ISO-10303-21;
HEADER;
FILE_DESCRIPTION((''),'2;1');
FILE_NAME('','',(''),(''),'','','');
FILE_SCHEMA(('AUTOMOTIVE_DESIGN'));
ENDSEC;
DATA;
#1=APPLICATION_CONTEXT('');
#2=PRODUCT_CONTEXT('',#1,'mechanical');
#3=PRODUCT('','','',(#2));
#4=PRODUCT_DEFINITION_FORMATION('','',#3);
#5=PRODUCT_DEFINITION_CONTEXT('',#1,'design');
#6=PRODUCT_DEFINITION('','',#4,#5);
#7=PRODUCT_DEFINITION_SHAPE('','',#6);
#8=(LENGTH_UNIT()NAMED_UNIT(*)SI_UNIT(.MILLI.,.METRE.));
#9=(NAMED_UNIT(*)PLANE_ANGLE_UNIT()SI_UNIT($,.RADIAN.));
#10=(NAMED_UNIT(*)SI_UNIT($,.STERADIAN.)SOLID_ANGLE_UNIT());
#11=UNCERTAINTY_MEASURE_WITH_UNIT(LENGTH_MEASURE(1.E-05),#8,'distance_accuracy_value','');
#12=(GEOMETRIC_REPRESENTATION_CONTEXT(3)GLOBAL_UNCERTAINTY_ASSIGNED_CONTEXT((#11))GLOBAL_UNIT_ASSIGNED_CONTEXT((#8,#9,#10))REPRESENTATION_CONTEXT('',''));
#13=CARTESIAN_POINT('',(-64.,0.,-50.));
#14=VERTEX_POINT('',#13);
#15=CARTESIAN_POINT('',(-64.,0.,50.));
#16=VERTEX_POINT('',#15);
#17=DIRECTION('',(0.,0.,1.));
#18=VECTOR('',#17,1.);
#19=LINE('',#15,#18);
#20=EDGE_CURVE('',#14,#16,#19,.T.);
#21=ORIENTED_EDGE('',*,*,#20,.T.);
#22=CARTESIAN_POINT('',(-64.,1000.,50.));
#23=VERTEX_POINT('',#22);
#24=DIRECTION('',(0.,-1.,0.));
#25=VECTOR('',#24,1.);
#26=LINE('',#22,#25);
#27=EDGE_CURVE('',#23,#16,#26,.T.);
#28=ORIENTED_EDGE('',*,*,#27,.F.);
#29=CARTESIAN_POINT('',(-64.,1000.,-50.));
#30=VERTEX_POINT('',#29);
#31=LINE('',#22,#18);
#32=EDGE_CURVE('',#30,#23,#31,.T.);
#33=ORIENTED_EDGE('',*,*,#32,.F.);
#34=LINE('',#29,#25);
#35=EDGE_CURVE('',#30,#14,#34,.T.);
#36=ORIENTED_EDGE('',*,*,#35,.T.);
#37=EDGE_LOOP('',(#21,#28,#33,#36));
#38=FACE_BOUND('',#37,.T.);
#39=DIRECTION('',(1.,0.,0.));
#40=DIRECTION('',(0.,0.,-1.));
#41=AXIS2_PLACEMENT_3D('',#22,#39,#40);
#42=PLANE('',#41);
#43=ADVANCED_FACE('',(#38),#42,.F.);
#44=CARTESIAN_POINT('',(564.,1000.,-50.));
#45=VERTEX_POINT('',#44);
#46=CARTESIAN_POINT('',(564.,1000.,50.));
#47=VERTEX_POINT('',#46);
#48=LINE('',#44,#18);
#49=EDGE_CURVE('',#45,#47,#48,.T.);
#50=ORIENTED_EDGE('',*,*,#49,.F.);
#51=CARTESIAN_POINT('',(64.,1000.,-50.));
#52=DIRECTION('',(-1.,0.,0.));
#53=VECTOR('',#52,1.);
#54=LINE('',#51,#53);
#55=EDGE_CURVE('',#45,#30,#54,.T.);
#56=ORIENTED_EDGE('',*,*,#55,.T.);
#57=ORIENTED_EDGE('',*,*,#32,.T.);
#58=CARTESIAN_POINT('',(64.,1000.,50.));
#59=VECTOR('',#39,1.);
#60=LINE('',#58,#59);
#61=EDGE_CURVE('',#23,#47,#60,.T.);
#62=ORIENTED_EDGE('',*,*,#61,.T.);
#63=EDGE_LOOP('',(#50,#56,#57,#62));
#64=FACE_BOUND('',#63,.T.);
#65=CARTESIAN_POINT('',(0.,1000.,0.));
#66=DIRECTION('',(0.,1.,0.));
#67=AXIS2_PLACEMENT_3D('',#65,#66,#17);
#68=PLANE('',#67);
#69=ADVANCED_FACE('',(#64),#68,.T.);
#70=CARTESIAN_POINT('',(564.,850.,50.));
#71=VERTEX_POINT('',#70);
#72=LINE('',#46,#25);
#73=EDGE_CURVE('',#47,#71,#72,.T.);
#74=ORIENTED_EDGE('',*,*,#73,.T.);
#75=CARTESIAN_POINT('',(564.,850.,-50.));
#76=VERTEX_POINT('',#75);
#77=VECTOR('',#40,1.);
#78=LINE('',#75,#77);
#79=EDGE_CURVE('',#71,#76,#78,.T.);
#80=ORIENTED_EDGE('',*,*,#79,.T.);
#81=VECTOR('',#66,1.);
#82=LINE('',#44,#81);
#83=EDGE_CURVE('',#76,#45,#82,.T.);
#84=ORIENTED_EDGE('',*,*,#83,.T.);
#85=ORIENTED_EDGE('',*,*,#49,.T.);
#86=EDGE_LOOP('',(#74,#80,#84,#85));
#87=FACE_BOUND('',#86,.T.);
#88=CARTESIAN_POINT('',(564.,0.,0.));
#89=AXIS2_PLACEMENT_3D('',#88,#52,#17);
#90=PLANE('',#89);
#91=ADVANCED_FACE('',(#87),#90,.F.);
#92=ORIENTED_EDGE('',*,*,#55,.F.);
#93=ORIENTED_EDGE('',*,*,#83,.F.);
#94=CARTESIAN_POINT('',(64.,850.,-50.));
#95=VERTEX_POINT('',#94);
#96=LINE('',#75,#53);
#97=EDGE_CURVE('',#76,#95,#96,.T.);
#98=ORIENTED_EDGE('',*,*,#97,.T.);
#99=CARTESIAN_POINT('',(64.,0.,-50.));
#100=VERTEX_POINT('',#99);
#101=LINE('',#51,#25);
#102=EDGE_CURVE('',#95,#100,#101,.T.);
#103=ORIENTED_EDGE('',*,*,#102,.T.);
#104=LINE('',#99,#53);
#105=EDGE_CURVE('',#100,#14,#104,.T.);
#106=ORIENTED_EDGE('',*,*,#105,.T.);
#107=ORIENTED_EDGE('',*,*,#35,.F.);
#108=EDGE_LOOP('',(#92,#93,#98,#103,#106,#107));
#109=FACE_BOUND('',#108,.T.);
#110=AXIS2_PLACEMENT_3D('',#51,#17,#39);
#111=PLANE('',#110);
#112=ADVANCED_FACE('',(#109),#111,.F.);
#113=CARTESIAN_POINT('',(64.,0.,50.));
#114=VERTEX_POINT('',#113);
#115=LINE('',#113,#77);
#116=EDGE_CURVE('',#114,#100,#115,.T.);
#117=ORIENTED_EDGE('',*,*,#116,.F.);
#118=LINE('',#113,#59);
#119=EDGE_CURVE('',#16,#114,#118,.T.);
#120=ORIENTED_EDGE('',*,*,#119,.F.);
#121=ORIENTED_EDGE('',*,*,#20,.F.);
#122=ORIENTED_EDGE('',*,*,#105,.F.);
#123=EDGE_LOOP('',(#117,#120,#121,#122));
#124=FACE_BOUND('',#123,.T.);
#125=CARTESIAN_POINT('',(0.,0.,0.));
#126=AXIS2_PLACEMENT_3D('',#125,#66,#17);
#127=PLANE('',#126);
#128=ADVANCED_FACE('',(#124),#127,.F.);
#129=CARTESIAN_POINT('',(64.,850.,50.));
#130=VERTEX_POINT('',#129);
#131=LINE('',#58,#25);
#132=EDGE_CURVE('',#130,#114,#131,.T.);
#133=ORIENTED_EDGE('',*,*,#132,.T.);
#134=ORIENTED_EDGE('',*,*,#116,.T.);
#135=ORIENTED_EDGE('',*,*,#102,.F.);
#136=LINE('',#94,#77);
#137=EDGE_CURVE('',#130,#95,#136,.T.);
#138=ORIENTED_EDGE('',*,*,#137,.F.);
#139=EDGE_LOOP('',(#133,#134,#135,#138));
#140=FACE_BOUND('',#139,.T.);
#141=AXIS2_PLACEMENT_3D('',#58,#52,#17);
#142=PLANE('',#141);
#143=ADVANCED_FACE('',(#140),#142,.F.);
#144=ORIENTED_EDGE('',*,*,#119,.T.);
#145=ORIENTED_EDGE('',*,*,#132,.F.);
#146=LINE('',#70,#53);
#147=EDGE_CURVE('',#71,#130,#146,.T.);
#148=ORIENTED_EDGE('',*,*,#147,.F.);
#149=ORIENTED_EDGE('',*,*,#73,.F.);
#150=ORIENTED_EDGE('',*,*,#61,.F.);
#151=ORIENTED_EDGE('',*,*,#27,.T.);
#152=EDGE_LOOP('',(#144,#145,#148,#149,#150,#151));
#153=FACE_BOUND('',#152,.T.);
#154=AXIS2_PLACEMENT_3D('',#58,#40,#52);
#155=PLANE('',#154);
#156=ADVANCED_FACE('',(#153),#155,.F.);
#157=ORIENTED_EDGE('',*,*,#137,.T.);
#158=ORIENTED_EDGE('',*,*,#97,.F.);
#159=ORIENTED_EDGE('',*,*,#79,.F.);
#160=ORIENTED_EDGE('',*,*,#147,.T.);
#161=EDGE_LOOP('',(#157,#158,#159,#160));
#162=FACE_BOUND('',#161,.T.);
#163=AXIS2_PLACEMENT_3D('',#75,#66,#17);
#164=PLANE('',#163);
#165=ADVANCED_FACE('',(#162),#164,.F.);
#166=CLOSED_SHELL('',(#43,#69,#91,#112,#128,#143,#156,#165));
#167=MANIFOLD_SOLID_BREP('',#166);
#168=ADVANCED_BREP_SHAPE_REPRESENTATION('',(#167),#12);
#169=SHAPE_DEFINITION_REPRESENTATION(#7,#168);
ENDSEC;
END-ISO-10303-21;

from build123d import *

# Parameters (mm, degrees)
SKETCH2_W           = 128
SKETCH2_H           = 100
BOSS_EXTRUDE1_DEPTH = 1000
SKETCH3_W           = 100
SKETCH3_H           = 150
BOSS_EXTRUDE2_DEPTH = 500


with BuildPart() as part:
    # Sketch2 → Boss-Extrude1 (new body)
    with BuildSketch(Plane(origin=(0, 0, 0), x_dir=(1, 0, 0), z_dir=(0, 1, 0))):
        Rectangle(SKETCH2_W, SKETCH2_H)
    extrude(amount=BOSS_EXTRUDE1_DEPTH)

    # Sketch3 → Boss-Extrude2 (add)
    with BuildSketch(Plane(origin=(64, 0, 0), x_dir=(0, 0, -1), z_dir=(1, 0, 0))):
        with Locations((0, 925)):
            Rectangle(SKETCH3_W, SKETCH3_H)
    extrude(amount=BOSS_EXTRUDE2_DEPTH)


solid = part.part
